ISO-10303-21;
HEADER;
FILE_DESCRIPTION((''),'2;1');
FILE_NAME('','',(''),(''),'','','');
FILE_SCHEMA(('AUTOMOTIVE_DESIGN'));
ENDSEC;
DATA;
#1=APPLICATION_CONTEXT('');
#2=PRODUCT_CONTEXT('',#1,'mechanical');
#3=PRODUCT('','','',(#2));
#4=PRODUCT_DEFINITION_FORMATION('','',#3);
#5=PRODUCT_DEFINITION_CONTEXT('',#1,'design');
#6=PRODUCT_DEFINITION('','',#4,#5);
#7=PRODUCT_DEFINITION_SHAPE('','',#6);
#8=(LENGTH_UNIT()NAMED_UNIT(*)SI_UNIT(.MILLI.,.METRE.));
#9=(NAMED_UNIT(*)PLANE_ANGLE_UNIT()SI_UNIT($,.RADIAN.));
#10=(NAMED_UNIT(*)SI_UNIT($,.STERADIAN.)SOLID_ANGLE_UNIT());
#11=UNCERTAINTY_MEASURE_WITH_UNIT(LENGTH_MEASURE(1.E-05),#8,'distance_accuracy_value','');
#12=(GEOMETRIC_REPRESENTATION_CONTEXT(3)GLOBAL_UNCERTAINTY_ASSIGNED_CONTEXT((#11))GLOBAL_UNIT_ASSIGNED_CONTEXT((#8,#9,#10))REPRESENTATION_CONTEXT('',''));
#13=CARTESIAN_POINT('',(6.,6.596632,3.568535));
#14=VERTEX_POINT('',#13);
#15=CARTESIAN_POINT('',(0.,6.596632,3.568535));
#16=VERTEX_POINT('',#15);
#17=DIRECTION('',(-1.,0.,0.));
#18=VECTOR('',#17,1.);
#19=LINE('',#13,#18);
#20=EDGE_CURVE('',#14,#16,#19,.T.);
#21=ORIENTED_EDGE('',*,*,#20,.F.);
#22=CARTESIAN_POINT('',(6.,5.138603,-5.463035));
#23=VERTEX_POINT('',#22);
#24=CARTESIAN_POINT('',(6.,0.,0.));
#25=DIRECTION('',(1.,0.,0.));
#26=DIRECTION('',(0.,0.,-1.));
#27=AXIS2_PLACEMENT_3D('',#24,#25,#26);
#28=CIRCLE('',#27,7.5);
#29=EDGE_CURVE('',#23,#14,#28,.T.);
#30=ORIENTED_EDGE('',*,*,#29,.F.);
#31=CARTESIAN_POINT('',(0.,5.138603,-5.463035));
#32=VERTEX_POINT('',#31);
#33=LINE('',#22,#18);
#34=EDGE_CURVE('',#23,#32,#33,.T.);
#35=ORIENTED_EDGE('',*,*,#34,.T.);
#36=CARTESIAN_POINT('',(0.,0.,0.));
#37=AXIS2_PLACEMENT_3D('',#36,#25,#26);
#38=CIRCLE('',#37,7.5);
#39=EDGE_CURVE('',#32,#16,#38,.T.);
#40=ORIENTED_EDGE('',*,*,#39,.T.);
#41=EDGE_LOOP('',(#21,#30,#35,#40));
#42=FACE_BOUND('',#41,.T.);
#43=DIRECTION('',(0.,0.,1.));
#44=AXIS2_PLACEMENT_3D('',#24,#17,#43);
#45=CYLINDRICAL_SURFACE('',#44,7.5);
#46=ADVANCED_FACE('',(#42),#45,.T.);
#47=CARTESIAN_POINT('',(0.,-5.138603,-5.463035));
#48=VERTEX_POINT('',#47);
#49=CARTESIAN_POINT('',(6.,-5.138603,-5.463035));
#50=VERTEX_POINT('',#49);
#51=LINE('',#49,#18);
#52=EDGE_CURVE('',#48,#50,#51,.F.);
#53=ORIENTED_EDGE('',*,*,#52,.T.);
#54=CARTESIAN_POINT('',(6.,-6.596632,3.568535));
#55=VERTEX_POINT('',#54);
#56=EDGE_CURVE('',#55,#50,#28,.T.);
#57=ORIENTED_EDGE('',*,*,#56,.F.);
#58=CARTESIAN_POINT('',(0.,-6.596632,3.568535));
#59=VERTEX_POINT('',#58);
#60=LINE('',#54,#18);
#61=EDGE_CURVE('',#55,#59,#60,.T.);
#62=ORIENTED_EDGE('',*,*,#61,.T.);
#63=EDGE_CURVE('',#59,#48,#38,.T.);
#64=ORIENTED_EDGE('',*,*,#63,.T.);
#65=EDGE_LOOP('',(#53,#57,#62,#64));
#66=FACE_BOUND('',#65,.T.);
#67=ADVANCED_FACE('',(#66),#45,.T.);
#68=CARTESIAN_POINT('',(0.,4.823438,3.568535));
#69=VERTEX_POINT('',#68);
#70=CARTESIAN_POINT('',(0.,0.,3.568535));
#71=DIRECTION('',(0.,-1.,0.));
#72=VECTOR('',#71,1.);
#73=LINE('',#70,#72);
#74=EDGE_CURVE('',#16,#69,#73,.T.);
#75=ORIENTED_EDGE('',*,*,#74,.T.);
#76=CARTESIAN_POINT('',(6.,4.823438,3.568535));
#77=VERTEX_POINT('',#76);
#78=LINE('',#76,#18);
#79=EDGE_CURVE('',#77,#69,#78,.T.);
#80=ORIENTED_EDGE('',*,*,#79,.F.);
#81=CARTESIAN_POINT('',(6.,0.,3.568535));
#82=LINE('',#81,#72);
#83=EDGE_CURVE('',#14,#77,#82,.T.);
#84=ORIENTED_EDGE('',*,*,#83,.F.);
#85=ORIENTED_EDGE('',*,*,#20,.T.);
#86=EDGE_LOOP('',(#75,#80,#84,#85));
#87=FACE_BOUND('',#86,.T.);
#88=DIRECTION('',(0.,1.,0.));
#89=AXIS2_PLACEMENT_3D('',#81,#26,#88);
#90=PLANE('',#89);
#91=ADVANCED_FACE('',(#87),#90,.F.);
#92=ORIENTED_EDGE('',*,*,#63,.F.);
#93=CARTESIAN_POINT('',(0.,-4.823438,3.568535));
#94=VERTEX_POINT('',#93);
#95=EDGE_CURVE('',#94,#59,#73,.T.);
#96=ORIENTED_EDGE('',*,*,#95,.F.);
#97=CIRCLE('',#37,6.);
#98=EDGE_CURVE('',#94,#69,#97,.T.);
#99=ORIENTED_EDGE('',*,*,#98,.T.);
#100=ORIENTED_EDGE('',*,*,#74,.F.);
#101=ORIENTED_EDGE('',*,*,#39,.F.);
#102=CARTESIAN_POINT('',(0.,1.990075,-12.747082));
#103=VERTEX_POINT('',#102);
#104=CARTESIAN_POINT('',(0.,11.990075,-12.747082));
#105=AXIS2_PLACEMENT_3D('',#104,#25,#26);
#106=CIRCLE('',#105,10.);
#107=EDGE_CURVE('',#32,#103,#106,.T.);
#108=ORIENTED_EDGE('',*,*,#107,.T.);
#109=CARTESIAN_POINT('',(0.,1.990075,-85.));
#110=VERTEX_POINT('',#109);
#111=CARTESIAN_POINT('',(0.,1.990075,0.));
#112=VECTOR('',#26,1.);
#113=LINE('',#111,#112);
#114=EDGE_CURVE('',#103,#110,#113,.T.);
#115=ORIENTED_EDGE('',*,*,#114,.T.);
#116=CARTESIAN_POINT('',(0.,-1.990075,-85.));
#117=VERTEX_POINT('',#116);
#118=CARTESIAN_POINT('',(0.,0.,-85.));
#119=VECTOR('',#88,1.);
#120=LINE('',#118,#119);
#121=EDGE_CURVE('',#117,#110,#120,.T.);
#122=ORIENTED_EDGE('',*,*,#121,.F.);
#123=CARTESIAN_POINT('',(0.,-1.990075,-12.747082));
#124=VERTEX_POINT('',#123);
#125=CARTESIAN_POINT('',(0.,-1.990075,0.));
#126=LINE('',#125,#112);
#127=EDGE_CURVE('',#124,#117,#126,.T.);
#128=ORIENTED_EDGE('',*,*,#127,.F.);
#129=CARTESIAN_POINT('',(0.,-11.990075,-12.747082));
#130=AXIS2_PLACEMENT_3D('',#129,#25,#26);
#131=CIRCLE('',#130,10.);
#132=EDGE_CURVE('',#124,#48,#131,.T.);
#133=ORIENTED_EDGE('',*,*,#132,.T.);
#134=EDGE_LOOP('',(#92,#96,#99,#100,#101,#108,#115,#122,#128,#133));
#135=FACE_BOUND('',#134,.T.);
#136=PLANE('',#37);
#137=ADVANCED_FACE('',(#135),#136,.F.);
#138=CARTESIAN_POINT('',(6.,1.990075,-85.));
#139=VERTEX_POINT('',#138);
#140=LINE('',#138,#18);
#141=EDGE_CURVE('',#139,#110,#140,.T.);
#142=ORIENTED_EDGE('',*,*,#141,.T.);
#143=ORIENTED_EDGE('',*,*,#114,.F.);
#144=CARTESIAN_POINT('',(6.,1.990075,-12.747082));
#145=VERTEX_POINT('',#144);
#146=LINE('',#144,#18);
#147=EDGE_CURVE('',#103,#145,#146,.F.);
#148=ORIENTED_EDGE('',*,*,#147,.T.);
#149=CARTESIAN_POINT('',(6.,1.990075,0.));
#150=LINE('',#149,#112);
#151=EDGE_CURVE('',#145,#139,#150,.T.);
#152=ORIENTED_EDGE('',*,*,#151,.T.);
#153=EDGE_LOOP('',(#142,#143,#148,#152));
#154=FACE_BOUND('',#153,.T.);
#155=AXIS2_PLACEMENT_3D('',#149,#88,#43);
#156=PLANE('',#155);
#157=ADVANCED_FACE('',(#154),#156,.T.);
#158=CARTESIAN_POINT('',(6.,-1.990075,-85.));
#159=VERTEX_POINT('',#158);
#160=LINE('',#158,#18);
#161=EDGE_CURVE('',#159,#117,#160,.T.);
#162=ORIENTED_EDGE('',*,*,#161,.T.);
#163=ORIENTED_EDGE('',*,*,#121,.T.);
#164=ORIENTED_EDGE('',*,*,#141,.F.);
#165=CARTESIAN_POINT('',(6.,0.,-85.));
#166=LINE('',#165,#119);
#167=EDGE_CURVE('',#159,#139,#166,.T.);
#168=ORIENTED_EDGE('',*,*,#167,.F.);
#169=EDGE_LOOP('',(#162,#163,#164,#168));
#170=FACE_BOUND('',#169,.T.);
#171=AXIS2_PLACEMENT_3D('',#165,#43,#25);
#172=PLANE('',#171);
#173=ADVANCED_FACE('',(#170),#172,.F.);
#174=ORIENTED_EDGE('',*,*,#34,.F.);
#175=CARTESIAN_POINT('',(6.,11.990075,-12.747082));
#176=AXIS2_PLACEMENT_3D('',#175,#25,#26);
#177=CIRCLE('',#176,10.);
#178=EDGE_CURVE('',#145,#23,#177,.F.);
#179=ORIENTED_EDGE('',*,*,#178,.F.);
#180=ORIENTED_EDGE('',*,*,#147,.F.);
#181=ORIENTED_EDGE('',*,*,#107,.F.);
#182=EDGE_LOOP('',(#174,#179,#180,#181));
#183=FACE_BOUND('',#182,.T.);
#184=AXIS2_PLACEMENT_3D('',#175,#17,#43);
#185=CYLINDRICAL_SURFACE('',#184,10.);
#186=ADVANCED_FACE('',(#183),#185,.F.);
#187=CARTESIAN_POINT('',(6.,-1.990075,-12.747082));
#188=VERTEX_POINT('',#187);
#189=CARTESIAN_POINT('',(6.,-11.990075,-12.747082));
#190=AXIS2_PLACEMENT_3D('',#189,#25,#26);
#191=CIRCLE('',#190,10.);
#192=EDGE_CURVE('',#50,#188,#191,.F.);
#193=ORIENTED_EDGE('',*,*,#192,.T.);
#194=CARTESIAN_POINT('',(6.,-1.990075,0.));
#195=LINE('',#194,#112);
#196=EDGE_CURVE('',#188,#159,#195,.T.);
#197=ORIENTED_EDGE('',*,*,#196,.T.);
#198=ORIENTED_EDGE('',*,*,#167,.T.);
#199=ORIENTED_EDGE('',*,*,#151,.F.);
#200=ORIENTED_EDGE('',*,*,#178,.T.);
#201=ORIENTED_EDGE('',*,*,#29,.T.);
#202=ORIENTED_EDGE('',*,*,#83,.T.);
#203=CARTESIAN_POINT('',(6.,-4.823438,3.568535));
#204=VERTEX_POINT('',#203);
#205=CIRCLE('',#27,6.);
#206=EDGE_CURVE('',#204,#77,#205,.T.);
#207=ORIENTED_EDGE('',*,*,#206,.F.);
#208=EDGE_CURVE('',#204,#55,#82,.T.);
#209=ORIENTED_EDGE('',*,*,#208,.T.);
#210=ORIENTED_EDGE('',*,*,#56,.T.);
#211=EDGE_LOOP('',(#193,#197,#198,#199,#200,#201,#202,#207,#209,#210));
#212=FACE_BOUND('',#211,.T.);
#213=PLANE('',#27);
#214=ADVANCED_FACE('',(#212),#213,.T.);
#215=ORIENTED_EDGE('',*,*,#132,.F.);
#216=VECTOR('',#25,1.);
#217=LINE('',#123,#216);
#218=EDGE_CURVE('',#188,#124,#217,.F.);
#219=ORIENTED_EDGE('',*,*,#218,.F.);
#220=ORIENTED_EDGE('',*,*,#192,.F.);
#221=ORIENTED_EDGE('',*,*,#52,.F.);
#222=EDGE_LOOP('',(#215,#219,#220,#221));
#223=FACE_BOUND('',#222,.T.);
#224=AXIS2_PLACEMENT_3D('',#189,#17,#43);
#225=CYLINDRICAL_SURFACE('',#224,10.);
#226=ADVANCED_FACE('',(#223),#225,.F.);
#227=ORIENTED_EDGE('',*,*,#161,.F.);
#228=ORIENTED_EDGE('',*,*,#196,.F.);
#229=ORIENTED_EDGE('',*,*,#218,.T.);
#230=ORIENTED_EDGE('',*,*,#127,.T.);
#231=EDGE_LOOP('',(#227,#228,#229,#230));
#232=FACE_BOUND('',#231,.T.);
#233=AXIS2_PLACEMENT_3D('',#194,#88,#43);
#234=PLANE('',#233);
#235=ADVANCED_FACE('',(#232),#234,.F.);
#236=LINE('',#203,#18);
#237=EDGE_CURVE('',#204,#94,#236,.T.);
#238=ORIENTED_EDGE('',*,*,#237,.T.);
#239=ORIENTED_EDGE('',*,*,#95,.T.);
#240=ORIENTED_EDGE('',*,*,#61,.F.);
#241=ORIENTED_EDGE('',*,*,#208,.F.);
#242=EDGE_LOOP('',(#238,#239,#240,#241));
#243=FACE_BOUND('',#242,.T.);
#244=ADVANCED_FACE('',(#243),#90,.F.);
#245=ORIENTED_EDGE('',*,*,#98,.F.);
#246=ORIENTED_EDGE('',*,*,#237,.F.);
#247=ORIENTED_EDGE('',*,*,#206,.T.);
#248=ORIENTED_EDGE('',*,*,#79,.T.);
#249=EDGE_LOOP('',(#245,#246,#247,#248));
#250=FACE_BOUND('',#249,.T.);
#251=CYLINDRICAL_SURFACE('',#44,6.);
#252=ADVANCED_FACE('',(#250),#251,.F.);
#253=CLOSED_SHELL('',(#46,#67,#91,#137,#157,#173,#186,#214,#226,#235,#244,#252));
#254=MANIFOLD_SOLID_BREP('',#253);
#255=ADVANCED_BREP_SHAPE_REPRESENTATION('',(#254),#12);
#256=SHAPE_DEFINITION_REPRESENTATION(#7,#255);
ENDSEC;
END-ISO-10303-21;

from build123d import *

# Parameters (mm, degrees)
BOSS_EXTRUDE1_DEPTH = 6
FILLET1_R           = 10


with BuildPart() as part:
    # Sketch1 → Boss-Extrude1 (new body)
    with BuildSketch(Plane(origin=(0, 0, 0), x_dir=(0, 0, -1), z_dir=(1, 0, 0))):
        with BuildLine():
            ThreePointArc((7.23115504, 1.990074568), (2.942582115, 6.898638307), (-3.56853515, 6.596632238))
            Line((-3.56853515, 6.596632238), (-3.56853515, 4.823438285))
            ThreePointArc((-3.56853515, 4.823438285), (6, 0), (-3.56853515, -4.823438285))
            Line((-3.56853515, -4.823438285), (-3.56853515, -6.596632238))
            ThreePointArc((-3.56853515, -6.596632238), (2.942582115, -6.898638307), (7.23115504, -1.990074568))
            Line((7.23115504, -1.990074568), (85, -1.990074568))
            Line((85, -1.990074568), (85, 1.990074568))
            Line((85, 1.990074568), (7.23115504, 1.990074568))
        make_face()
    extrude(amount=BOSS_EXTRUDE1_DEPTH)

    # Fillet1
    fillet1_edges = [part.edges().sort_by_distance(p)[0] for p in [
        (3, 1.990074568, -7.23115504),
        (3, -1.990074568, -7.23115504),
    ]]
    fillet(fillet1_edges, radius=FILLET1_R)


solid = part.part
